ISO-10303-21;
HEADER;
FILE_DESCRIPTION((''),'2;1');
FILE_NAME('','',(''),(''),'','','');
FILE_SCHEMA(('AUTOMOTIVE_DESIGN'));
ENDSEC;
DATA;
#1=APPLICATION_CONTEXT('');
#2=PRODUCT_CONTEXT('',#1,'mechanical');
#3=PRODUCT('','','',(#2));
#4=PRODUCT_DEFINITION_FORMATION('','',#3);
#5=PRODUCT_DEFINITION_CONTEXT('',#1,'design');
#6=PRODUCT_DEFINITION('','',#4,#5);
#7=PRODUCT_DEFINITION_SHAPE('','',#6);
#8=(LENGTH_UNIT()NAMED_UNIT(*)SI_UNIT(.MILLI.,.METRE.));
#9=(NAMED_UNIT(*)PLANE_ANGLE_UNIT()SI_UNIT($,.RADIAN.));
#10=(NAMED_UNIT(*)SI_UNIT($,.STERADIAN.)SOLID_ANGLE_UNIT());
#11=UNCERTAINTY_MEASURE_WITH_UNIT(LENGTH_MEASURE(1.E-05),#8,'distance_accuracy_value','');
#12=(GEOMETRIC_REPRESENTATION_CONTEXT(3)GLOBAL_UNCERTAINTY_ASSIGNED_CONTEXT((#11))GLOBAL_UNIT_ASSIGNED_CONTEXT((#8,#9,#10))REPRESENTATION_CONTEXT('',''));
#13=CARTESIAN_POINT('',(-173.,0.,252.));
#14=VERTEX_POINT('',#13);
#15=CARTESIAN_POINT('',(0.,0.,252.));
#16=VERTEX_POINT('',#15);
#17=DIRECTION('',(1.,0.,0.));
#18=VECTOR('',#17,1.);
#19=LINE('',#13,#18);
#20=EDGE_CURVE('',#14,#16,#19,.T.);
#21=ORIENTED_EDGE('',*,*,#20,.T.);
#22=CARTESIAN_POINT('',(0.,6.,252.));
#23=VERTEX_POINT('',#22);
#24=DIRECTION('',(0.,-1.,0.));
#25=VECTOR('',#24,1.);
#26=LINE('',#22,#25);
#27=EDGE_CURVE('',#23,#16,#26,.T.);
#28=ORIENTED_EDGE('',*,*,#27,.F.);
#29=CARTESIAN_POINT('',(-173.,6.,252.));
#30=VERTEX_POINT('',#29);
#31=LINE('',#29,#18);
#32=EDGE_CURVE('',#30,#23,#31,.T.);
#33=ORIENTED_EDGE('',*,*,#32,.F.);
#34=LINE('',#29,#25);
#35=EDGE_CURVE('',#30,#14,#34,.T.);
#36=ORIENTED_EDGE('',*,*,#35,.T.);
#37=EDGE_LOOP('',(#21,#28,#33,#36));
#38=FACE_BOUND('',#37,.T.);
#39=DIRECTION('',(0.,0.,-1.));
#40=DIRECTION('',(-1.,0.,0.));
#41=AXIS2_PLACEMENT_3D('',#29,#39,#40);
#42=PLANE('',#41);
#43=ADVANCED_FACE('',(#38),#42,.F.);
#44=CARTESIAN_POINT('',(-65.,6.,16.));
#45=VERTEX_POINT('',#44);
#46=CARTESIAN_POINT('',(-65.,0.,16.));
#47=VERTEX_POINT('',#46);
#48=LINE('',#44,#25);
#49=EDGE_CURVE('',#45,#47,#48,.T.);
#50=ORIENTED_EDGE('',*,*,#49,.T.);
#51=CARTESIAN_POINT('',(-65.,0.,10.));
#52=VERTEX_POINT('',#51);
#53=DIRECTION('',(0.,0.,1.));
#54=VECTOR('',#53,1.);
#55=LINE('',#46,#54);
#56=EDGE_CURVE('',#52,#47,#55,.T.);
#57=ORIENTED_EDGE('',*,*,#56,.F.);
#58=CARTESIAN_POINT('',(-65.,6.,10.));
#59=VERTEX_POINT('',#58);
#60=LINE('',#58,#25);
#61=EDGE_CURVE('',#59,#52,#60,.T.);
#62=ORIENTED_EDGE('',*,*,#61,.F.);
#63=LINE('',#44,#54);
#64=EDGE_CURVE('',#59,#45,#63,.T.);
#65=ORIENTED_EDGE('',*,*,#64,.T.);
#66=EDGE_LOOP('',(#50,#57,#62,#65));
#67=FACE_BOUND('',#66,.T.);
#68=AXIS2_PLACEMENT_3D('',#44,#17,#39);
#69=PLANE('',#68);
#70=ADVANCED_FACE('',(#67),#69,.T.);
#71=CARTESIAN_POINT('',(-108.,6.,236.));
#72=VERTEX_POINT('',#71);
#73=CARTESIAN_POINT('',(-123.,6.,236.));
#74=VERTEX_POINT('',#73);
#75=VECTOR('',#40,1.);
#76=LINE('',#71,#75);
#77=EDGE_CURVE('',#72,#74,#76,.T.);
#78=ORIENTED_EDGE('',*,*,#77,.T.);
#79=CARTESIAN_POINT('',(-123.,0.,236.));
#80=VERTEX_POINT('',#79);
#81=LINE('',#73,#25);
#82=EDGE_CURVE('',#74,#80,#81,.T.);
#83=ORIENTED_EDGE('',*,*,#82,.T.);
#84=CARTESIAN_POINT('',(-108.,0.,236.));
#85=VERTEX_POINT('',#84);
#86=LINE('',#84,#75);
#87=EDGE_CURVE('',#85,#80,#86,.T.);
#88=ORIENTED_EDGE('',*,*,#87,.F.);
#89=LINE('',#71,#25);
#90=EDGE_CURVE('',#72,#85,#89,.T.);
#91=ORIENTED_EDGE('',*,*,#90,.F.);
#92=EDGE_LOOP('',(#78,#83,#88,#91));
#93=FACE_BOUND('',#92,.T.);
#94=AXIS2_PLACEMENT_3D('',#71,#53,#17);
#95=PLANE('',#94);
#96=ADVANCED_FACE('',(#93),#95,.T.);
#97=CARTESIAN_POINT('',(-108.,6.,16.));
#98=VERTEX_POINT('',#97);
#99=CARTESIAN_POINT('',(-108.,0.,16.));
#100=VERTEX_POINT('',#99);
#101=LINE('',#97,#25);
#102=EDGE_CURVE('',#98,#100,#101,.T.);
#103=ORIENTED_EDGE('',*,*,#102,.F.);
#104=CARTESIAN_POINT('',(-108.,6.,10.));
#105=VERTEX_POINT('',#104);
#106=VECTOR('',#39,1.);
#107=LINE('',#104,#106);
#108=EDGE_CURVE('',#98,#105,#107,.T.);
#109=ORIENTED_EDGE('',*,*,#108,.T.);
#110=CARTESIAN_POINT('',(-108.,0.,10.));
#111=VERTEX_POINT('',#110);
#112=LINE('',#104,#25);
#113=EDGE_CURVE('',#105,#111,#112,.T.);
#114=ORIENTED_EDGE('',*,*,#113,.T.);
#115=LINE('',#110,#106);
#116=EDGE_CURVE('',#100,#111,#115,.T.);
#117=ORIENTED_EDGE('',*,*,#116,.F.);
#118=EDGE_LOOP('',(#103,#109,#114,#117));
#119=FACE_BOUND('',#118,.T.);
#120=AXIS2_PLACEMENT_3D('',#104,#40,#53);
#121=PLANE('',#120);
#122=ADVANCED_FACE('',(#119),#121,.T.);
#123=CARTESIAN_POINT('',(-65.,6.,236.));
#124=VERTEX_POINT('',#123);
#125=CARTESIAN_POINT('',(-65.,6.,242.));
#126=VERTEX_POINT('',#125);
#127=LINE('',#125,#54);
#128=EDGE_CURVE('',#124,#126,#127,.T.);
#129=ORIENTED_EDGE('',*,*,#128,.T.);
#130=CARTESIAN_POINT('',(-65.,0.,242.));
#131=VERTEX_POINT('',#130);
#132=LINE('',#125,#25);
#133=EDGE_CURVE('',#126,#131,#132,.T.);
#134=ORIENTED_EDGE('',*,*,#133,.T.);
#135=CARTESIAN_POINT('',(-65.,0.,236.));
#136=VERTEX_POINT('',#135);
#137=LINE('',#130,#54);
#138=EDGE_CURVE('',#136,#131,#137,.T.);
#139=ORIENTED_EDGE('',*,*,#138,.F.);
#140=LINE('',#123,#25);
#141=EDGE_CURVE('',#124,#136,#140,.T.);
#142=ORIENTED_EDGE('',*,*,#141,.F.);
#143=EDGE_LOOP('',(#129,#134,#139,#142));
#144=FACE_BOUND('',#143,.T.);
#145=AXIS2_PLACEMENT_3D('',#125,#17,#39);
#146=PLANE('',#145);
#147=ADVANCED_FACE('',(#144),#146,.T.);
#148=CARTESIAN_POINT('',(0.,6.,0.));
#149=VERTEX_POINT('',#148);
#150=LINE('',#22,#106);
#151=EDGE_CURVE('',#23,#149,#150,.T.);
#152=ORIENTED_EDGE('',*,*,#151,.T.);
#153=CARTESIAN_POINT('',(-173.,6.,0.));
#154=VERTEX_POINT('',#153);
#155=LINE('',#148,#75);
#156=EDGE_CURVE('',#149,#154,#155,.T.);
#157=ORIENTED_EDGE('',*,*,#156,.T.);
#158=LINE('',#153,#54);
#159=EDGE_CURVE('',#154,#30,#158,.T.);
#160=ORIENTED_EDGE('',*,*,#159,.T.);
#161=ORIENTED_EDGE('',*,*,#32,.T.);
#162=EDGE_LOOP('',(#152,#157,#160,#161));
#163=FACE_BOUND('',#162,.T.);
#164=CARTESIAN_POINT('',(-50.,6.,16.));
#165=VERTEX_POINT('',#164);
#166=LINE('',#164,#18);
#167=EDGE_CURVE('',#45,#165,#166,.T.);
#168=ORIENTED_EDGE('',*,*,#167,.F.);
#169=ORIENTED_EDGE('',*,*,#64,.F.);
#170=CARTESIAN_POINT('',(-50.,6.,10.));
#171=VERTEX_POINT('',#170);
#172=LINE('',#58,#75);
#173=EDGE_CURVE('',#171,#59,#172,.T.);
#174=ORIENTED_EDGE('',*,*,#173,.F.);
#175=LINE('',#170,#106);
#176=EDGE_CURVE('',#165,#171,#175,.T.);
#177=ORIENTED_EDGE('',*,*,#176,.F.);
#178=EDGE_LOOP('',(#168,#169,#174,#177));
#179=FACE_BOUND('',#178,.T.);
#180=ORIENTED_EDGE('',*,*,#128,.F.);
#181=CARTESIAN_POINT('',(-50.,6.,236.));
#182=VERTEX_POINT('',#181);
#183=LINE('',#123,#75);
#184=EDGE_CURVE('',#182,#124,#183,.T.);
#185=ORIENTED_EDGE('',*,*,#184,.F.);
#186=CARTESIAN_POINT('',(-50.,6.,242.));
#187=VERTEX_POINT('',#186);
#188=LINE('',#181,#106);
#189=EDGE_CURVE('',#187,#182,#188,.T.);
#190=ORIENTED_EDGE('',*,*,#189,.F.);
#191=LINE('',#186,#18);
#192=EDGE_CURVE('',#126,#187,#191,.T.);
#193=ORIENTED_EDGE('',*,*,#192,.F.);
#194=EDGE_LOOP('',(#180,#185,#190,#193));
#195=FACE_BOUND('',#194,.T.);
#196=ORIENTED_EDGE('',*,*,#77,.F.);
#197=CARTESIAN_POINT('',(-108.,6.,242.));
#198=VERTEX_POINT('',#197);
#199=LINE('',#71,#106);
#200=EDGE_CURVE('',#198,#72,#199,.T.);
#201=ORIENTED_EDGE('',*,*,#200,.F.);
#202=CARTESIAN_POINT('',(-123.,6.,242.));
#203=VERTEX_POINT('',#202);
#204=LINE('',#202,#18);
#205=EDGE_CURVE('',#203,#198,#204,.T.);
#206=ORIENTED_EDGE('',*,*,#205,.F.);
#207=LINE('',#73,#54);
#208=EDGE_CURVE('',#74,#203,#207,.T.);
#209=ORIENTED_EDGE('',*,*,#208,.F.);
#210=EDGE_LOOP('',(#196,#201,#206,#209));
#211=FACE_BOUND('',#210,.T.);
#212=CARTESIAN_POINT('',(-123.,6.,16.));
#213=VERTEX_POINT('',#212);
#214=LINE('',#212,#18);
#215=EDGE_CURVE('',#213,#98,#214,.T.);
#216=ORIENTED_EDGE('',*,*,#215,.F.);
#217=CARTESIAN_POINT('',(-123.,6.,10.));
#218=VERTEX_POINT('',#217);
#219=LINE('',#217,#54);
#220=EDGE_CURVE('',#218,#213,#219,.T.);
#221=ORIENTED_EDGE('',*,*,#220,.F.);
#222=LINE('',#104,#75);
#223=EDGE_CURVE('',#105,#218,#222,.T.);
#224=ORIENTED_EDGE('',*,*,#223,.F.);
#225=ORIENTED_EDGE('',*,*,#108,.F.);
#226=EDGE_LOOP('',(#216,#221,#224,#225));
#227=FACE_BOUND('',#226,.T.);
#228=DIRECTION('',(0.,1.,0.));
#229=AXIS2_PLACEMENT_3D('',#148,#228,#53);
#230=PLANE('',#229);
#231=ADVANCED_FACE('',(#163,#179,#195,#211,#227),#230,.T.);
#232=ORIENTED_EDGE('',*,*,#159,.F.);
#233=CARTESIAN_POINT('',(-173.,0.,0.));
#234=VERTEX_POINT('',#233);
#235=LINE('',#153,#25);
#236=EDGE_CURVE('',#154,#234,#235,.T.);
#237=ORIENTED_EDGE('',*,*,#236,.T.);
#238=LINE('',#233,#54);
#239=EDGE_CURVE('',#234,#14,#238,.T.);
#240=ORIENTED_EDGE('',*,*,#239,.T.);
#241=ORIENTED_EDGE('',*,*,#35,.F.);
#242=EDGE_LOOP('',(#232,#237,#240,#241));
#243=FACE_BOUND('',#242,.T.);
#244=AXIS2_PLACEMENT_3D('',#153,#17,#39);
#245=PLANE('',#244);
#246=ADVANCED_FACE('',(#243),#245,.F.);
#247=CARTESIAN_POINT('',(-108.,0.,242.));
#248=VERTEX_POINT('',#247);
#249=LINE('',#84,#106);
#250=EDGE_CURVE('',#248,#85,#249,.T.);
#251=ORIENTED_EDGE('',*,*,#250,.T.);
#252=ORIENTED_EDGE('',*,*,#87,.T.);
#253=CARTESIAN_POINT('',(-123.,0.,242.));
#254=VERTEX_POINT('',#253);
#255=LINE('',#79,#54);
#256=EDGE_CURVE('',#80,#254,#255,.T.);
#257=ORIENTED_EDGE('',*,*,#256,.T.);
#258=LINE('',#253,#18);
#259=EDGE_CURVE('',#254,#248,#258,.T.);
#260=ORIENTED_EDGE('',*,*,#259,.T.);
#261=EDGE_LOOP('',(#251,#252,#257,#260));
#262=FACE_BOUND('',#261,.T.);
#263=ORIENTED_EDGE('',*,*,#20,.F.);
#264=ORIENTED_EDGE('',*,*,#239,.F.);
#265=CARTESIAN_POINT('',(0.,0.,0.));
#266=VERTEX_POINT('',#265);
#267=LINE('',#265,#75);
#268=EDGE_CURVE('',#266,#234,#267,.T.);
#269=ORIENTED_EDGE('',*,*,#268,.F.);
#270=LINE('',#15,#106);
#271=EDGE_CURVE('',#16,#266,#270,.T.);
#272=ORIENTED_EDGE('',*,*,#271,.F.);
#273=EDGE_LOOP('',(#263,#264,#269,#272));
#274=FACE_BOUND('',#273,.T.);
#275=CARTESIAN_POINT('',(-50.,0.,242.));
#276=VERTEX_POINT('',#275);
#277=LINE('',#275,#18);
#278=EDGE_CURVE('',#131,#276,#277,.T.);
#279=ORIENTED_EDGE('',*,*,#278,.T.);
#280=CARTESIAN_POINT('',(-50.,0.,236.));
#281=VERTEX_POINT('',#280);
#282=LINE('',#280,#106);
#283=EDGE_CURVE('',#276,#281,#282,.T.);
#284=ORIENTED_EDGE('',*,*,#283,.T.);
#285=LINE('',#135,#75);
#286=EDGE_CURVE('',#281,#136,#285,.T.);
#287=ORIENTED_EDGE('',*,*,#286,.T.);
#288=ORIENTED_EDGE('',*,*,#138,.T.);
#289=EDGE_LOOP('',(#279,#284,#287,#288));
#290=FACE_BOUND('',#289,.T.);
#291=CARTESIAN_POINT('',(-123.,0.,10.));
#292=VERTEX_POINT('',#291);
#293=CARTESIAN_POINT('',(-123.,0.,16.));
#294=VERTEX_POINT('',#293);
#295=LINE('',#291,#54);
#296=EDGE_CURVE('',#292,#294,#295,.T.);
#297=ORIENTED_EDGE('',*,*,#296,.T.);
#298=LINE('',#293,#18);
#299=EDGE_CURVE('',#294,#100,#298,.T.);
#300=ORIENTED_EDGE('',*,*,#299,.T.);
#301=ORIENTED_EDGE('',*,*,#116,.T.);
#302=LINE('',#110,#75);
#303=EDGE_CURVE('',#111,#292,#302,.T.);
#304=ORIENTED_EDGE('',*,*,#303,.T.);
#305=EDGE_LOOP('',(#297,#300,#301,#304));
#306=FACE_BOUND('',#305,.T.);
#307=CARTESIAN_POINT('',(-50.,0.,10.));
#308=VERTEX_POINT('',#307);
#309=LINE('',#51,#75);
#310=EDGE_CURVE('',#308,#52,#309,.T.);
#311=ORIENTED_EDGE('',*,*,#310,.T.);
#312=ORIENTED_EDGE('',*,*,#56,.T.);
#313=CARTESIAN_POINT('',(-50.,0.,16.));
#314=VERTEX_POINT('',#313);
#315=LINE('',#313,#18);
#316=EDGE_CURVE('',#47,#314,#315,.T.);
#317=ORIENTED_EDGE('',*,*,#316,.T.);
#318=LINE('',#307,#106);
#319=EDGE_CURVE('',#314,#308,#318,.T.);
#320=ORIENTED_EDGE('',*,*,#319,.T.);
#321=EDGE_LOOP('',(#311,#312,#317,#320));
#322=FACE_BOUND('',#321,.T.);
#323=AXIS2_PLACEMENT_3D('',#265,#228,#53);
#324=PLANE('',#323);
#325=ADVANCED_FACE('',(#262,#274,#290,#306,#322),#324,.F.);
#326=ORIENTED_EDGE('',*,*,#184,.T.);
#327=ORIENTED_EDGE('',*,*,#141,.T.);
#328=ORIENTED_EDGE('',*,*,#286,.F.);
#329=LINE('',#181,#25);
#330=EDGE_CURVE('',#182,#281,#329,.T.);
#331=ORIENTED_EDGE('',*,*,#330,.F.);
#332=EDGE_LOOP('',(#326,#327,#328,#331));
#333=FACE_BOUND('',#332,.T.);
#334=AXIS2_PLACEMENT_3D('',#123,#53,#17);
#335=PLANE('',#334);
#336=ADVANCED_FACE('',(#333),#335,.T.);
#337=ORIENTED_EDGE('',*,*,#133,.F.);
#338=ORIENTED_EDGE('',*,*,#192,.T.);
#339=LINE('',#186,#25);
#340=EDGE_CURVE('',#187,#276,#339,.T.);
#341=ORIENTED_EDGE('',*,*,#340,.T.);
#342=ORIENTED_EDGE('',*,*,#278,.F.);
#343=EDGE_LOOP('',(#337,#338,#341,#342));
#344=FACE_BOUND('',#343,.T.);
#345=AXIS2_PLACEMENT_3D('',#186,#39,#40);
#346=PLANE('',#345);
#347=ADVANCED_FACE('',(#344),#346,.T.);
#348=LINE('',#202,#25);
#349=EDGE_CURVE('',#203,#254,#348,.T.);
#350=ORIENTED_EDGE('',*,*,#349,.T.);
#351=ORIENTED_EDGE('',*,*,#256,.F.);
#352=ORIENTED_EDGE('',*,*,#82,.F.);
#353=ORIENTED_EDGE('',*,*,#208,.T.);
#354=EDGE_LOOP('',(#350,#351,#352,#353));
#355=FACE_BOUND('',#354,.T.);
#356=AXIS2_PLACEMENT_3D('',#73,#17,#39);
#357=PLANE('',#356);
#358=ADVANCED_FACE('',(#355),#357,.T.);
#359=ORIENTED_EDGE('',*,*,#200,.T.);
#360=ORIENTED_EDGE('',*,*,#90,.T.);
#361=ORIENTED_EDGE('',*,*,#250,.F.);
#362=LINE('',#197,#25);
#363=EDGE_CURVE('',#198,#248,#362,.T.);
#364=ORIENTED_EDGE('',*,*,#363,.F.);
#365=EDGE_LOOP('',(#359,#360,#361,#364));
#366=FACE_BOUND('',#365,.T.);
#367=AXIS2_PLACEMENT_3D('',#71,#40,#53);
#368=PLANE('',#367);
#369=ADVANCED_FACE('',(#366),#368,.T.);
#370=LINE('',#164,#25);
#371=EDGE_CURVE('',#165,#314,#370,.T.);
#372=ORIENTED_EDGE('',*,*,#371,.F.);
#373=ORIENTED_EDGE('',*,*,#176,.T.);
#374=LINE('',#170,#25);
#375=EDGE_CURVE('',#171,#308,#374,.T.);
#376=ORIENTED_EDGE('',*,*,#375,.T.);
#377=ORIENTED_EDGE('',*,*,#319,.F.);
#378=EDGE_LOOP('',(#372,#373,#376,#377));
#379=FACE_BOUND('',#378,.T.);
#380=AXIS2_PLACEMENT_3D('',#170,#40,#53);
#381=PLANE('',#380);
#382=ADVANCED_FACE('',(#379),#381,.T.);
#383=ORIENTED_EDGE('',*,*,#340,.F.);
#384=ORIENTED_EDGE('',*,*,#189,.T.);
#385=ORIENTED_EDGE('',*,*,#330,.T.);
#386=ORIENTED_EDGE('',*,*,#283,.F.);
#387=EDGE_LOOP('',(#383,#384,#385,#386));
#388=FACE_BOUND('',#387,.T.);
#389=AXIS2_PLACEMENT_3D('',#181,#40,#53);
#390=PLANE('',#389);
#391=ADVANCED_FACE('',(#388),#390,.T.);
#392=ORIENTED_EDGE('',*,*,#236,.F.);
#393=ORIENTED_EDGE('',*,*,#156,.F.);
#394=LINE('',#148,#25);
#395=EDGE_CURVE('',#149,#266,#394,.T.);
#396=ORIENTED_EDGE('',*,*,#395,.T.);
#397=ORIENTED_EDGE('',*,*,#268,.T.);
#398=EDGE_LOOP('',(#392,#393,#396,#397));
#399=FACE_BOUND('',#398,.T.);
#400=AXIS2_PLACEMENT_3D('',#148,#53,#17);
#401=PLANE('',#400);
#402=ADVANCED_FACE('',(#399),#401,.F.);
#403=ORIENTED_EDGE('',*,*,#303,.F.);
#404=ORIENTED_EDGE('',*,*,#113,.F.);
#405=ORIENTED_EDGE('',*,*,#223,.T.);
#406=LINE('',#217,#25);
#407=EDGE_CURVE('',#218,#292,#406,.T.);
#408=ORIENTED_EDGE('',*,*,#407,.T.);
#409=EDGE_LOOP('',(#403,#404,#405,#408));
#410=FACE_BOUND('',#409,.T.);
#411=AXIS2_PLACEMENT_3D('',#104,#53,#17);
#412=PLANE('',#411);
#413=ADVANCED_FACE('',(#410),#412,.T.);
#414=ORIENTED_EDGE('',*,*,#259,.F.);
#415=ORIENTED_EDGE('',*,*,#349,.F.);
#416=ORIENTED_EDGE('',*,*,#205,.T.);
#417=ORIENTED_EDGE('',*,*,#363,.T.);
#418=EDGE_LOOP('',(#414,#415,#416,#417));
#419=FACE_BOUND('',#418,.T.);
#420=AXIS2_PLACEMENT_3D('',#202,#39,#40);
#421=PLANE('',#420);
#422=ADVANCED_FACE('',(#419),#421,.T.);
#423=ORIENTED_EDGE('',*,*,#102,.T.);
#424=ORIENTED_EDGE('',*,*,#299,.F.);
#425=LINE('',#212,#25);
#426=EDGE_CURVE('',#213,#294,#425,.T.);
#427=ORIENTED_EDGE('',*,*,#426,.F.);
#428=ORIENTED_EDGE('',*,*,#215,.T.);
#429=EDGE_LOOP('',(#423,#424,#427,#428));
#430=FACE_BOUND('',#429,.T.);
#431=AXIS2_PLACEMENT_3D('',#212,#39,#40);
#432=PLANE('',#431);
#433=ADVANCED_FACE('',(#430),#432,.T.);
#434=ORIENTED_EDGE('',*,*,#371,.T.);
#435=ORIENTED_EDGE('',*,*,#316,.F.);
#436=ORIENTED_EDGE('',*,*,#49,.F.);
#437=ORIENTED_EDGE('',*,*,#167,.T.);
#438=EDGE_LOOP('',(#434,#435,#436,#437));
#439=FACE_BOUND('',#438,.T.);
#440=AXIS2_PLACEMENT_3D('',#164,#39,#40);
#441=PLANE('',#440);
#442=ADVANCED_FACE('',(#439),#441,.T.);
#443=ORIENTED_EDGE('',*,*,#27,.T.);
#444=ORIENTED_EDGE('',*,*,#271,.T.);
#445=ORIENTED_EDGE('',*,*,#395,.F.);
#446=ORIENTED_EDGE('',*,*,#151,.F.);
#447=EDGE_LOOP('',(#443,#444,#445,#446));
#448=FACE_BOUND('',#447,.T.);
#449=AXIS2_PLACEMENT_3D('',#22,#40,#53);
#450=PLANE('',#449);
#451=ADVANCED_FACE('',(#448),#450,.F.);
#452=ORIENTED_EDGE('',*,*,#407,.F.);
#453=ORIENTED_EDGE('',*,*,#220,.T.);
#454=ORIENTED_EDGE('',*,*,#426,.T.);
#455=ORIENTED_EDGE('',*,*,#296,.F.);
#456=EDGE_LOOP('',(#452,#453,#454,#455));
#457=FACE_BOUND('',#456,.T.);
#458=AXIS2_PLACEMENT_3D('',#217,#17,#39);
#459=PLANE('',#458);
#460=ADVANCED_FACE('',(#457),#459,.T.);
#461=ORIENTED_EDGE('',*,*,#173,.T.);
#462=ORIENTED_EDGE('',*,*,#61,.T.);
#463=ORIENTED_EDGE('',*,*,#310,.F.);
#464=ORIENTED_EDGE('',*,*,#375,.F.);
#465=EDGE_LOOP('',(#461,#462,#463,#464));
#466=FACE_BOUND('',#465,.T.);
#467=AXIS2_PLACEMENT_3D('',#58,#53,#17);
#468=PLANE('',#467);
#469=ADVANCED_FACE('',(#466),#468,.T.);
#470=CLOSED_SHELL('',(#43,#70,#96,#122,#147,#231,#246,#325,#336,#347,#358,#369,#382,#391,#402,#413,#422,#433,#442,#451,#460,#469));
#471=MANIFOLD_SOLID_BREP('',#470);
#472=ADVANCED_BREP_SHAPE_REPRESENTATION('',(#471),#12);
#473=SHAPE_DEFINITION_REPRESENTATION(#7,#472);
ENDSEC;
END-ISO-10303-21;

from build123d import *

# Parameters (mm, degrees)
SKETCH1_W           = 173
SKETCH1_H           = 252
SKETCH1_W_2         = 15
SKETCH1_H_2         = 6
BOSS_EXTRUDE1_DEPTH = 6


with BuildPart() as part:
    # Sketch1 → Boss-Extrude1 (new body)
    with BuildSketch(Plane(origin=(0, 0, 0), x_dir=(1, 0, 0), z_dir=(0, 1, 0))):
        with Locations((-86.5, -126)):
            Rectangle(SKETCH1_W, SKETCH1_H)
        with Locations((-115.5, -13)):
            Rectangle(SKETCH1_W_2, SKETCH1_H_2, mode=Mode.SUBTRACT)
        with Locations((-57.5, -13)):
            Rectangle(SKETCH1_W_2, SKETCH1_H_2, mode=Mode.SUBTRACT)
        with Locations((-115.5, -239)):
            Rectangle(SKETCH1_W_2, SKETCH1_H_2, mode=Mode.SUBTRACT)
        with Locations((-57.5, -239)):
            Rectangle(SKETCH1_W_2, SKETCH1_H_2, mode=Mode.SUBTRACT)
    extrude(amount=BOSS_EXTRUDE1_DEPTH)


solid = part.part
